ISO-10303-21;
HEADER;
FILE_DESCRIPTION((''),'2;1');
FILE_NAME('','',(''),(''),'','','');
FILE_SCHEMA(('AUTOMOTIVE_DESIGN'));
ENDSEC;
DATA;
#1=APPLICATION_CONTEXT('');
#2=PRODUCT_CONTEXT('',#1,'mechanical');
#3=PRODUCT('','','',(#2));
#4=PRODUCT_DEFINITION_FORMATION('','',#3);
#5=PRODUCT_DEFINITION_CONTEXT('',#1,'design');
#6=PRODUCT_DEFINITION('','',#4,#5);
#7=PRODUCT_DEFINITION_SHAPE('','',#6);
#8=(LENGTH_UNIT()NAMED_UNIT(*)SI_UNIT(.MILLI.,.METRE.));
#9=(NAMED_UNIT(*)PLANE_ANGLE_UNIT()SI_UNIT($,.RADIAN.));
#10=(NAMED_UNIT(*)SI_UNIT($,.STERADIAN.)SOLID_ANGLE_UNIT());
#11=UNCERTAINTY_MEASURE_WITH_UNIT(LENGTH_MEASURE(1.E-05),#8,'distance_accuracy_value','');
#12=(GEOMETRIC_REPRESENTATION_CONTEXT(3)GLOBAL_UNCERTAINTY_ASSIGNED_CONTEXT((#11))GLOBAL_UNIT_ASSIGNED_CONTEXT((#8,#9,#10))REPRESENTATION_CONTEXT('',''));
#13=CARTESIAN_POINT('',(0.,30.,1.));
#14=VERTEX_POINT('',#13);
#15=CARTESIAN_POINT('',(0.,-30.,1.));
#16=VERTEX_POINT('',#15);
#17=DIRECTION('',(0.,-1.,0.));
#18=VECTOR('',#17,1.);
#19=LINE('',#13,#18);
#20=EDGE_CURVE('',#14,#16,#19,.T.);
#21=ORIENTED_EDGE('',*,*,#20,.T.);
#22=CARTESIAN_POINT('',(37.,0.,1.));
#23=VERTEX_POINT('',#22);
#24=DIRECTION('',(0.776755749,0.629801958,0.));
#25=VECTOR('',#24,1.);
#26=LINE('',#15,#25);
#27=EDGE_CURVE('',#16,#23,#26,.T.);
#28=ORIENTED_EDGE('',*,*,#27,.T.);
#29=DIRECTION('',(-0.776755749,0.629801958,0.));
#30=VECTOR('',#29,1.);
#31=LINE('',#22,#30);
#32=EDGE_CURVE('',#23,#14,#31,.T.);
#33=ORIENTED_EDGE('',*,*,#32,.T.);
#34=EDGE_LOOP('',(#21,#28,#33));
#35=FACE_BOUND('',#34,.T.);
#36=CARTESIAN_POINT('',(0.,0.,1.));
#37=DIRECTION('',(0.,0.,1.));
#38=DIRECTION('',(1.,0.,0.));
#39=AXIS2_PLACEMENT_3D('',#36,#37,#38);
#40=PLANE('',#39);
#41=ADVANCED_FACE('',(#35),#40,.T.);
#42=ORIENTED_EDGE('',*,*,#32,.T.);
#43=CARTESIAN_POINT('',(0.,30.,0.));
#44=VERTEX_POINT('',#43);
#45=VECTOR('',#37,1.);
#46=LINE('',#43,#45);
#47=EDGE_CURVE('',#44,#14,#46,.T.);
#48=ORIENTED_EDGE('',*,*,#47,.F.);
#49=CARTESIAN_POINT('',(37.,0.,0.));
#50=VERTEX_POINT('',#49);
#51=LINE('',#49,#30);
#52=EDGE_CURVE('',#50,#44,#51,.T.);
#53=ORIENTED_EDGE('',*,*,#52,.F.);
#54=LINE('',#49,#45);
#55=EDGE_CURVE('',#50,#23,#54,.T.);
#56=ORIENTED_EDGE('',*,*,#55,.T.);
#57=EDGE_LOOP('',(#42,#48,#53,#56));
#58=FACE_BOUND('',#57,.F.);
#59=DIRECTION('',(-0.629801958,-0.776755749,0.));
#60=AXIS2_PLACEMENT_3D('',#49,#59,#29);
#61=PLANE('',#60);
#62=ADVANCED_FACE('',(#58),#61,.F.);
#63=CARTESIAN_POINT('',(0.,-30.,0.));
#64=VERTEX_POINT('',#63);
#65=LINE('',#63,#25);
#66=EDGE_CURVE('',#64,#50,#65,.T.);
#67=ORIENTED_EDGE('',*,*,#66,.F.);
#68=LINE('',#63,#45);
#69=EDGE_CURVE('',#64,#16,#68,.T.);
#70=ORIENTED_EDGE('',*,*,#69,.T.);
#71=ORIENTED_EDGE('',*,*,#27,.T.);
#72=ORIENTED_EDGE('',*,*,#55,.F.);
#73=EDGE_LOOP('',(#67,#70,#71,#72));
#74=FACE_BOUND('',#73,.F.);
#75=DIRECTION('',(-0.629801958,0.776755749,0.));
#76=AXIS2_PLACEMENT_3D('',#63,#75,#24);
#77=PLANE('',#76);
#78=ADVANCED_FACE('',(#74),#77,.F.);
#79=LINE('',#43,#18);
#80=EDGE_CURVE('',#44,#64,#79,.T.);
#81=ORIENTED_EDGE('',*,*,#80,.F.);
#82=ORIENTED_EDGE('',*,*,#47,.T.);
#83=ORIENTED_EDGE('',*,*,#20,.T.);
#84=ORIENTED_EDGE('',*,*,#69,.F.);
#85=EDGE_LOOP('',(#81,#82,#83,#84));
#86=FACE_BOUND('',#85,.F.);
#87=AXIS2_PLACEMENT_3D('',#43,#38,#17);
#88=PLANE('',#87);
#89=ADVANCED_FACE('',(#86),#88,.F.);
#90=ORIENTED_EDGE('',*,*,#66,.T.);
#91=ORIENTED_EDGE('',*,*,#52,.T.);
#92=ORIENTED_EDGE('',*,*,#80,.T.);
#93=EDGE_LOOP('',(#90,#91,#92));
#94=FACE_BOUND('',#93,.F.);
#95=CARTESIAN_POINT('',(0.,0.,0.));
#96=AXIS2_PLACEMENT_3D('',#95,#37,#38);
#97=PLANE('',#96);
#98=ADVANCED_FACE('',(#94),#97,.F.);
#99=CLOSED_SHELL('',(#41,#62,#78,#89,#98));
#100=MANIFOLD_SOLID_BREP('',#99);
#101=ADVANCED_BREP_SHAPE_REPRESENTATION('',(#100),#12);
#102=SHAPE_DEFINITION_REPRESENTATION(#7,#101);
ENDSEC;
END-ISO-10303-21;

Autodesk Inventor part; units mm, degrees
ref_plane "YZ Plane" through (0, 0, 0) normal (1, 0, 0) x (0, 1, 0)
ref_plane "XZ Plane" through (0, 0, 0) normal (0, 1, 0) x (-1, 0, 0)
ref_plane "XY Plane" through (0, 0, 0) normal (0, 0, 1) x (1, 0, 0)
sketch "スケッチ1" plane through (0, 0, 0) normal (0, 0, 1) x (1, 0, 0)
  line L0 (37, -100) -> (-37, -100)
  line L1 (-37, -100) -> (-37, 100)
  line L2 (-37, 100) -> (37, 100)
  line L3 (37, 100) -> (37, -100)
  line L4 (37, -100) -> (-37, 100) construction
  line L5 (-37, -100) -> (37, 100) construction
  line L6 (-37, 0) -> (37, 0) construction
  line L7 (37, 0) -> (0, 30)
  line L8 (0, 30) -> (-37, 0)
  line L9 (-37, 0) -> (0, -30)
  line L10 (0, -30) -> (37, 0)
  line L11 (0, 30) -> (0, -30)
  line L12 (0, 30) -> (-37, 100)
  line L13 (0, 30) -> (37, 100)
  line L14 (0, -30) -> (-37, -100)
  line L15 (0, -30) -> (37, -100)
  point P0 (0, 0)
  point P1 (0, 0)
  point P2 (0, 0)
  dimension "d0" = 74
  dimension "d1" = 200
  dimension "d2" = 60
extrude "押し出し1" add sketch "スケッチ1" along normal blind 1 contours L10 L11 L7
properties part number "origami01"
